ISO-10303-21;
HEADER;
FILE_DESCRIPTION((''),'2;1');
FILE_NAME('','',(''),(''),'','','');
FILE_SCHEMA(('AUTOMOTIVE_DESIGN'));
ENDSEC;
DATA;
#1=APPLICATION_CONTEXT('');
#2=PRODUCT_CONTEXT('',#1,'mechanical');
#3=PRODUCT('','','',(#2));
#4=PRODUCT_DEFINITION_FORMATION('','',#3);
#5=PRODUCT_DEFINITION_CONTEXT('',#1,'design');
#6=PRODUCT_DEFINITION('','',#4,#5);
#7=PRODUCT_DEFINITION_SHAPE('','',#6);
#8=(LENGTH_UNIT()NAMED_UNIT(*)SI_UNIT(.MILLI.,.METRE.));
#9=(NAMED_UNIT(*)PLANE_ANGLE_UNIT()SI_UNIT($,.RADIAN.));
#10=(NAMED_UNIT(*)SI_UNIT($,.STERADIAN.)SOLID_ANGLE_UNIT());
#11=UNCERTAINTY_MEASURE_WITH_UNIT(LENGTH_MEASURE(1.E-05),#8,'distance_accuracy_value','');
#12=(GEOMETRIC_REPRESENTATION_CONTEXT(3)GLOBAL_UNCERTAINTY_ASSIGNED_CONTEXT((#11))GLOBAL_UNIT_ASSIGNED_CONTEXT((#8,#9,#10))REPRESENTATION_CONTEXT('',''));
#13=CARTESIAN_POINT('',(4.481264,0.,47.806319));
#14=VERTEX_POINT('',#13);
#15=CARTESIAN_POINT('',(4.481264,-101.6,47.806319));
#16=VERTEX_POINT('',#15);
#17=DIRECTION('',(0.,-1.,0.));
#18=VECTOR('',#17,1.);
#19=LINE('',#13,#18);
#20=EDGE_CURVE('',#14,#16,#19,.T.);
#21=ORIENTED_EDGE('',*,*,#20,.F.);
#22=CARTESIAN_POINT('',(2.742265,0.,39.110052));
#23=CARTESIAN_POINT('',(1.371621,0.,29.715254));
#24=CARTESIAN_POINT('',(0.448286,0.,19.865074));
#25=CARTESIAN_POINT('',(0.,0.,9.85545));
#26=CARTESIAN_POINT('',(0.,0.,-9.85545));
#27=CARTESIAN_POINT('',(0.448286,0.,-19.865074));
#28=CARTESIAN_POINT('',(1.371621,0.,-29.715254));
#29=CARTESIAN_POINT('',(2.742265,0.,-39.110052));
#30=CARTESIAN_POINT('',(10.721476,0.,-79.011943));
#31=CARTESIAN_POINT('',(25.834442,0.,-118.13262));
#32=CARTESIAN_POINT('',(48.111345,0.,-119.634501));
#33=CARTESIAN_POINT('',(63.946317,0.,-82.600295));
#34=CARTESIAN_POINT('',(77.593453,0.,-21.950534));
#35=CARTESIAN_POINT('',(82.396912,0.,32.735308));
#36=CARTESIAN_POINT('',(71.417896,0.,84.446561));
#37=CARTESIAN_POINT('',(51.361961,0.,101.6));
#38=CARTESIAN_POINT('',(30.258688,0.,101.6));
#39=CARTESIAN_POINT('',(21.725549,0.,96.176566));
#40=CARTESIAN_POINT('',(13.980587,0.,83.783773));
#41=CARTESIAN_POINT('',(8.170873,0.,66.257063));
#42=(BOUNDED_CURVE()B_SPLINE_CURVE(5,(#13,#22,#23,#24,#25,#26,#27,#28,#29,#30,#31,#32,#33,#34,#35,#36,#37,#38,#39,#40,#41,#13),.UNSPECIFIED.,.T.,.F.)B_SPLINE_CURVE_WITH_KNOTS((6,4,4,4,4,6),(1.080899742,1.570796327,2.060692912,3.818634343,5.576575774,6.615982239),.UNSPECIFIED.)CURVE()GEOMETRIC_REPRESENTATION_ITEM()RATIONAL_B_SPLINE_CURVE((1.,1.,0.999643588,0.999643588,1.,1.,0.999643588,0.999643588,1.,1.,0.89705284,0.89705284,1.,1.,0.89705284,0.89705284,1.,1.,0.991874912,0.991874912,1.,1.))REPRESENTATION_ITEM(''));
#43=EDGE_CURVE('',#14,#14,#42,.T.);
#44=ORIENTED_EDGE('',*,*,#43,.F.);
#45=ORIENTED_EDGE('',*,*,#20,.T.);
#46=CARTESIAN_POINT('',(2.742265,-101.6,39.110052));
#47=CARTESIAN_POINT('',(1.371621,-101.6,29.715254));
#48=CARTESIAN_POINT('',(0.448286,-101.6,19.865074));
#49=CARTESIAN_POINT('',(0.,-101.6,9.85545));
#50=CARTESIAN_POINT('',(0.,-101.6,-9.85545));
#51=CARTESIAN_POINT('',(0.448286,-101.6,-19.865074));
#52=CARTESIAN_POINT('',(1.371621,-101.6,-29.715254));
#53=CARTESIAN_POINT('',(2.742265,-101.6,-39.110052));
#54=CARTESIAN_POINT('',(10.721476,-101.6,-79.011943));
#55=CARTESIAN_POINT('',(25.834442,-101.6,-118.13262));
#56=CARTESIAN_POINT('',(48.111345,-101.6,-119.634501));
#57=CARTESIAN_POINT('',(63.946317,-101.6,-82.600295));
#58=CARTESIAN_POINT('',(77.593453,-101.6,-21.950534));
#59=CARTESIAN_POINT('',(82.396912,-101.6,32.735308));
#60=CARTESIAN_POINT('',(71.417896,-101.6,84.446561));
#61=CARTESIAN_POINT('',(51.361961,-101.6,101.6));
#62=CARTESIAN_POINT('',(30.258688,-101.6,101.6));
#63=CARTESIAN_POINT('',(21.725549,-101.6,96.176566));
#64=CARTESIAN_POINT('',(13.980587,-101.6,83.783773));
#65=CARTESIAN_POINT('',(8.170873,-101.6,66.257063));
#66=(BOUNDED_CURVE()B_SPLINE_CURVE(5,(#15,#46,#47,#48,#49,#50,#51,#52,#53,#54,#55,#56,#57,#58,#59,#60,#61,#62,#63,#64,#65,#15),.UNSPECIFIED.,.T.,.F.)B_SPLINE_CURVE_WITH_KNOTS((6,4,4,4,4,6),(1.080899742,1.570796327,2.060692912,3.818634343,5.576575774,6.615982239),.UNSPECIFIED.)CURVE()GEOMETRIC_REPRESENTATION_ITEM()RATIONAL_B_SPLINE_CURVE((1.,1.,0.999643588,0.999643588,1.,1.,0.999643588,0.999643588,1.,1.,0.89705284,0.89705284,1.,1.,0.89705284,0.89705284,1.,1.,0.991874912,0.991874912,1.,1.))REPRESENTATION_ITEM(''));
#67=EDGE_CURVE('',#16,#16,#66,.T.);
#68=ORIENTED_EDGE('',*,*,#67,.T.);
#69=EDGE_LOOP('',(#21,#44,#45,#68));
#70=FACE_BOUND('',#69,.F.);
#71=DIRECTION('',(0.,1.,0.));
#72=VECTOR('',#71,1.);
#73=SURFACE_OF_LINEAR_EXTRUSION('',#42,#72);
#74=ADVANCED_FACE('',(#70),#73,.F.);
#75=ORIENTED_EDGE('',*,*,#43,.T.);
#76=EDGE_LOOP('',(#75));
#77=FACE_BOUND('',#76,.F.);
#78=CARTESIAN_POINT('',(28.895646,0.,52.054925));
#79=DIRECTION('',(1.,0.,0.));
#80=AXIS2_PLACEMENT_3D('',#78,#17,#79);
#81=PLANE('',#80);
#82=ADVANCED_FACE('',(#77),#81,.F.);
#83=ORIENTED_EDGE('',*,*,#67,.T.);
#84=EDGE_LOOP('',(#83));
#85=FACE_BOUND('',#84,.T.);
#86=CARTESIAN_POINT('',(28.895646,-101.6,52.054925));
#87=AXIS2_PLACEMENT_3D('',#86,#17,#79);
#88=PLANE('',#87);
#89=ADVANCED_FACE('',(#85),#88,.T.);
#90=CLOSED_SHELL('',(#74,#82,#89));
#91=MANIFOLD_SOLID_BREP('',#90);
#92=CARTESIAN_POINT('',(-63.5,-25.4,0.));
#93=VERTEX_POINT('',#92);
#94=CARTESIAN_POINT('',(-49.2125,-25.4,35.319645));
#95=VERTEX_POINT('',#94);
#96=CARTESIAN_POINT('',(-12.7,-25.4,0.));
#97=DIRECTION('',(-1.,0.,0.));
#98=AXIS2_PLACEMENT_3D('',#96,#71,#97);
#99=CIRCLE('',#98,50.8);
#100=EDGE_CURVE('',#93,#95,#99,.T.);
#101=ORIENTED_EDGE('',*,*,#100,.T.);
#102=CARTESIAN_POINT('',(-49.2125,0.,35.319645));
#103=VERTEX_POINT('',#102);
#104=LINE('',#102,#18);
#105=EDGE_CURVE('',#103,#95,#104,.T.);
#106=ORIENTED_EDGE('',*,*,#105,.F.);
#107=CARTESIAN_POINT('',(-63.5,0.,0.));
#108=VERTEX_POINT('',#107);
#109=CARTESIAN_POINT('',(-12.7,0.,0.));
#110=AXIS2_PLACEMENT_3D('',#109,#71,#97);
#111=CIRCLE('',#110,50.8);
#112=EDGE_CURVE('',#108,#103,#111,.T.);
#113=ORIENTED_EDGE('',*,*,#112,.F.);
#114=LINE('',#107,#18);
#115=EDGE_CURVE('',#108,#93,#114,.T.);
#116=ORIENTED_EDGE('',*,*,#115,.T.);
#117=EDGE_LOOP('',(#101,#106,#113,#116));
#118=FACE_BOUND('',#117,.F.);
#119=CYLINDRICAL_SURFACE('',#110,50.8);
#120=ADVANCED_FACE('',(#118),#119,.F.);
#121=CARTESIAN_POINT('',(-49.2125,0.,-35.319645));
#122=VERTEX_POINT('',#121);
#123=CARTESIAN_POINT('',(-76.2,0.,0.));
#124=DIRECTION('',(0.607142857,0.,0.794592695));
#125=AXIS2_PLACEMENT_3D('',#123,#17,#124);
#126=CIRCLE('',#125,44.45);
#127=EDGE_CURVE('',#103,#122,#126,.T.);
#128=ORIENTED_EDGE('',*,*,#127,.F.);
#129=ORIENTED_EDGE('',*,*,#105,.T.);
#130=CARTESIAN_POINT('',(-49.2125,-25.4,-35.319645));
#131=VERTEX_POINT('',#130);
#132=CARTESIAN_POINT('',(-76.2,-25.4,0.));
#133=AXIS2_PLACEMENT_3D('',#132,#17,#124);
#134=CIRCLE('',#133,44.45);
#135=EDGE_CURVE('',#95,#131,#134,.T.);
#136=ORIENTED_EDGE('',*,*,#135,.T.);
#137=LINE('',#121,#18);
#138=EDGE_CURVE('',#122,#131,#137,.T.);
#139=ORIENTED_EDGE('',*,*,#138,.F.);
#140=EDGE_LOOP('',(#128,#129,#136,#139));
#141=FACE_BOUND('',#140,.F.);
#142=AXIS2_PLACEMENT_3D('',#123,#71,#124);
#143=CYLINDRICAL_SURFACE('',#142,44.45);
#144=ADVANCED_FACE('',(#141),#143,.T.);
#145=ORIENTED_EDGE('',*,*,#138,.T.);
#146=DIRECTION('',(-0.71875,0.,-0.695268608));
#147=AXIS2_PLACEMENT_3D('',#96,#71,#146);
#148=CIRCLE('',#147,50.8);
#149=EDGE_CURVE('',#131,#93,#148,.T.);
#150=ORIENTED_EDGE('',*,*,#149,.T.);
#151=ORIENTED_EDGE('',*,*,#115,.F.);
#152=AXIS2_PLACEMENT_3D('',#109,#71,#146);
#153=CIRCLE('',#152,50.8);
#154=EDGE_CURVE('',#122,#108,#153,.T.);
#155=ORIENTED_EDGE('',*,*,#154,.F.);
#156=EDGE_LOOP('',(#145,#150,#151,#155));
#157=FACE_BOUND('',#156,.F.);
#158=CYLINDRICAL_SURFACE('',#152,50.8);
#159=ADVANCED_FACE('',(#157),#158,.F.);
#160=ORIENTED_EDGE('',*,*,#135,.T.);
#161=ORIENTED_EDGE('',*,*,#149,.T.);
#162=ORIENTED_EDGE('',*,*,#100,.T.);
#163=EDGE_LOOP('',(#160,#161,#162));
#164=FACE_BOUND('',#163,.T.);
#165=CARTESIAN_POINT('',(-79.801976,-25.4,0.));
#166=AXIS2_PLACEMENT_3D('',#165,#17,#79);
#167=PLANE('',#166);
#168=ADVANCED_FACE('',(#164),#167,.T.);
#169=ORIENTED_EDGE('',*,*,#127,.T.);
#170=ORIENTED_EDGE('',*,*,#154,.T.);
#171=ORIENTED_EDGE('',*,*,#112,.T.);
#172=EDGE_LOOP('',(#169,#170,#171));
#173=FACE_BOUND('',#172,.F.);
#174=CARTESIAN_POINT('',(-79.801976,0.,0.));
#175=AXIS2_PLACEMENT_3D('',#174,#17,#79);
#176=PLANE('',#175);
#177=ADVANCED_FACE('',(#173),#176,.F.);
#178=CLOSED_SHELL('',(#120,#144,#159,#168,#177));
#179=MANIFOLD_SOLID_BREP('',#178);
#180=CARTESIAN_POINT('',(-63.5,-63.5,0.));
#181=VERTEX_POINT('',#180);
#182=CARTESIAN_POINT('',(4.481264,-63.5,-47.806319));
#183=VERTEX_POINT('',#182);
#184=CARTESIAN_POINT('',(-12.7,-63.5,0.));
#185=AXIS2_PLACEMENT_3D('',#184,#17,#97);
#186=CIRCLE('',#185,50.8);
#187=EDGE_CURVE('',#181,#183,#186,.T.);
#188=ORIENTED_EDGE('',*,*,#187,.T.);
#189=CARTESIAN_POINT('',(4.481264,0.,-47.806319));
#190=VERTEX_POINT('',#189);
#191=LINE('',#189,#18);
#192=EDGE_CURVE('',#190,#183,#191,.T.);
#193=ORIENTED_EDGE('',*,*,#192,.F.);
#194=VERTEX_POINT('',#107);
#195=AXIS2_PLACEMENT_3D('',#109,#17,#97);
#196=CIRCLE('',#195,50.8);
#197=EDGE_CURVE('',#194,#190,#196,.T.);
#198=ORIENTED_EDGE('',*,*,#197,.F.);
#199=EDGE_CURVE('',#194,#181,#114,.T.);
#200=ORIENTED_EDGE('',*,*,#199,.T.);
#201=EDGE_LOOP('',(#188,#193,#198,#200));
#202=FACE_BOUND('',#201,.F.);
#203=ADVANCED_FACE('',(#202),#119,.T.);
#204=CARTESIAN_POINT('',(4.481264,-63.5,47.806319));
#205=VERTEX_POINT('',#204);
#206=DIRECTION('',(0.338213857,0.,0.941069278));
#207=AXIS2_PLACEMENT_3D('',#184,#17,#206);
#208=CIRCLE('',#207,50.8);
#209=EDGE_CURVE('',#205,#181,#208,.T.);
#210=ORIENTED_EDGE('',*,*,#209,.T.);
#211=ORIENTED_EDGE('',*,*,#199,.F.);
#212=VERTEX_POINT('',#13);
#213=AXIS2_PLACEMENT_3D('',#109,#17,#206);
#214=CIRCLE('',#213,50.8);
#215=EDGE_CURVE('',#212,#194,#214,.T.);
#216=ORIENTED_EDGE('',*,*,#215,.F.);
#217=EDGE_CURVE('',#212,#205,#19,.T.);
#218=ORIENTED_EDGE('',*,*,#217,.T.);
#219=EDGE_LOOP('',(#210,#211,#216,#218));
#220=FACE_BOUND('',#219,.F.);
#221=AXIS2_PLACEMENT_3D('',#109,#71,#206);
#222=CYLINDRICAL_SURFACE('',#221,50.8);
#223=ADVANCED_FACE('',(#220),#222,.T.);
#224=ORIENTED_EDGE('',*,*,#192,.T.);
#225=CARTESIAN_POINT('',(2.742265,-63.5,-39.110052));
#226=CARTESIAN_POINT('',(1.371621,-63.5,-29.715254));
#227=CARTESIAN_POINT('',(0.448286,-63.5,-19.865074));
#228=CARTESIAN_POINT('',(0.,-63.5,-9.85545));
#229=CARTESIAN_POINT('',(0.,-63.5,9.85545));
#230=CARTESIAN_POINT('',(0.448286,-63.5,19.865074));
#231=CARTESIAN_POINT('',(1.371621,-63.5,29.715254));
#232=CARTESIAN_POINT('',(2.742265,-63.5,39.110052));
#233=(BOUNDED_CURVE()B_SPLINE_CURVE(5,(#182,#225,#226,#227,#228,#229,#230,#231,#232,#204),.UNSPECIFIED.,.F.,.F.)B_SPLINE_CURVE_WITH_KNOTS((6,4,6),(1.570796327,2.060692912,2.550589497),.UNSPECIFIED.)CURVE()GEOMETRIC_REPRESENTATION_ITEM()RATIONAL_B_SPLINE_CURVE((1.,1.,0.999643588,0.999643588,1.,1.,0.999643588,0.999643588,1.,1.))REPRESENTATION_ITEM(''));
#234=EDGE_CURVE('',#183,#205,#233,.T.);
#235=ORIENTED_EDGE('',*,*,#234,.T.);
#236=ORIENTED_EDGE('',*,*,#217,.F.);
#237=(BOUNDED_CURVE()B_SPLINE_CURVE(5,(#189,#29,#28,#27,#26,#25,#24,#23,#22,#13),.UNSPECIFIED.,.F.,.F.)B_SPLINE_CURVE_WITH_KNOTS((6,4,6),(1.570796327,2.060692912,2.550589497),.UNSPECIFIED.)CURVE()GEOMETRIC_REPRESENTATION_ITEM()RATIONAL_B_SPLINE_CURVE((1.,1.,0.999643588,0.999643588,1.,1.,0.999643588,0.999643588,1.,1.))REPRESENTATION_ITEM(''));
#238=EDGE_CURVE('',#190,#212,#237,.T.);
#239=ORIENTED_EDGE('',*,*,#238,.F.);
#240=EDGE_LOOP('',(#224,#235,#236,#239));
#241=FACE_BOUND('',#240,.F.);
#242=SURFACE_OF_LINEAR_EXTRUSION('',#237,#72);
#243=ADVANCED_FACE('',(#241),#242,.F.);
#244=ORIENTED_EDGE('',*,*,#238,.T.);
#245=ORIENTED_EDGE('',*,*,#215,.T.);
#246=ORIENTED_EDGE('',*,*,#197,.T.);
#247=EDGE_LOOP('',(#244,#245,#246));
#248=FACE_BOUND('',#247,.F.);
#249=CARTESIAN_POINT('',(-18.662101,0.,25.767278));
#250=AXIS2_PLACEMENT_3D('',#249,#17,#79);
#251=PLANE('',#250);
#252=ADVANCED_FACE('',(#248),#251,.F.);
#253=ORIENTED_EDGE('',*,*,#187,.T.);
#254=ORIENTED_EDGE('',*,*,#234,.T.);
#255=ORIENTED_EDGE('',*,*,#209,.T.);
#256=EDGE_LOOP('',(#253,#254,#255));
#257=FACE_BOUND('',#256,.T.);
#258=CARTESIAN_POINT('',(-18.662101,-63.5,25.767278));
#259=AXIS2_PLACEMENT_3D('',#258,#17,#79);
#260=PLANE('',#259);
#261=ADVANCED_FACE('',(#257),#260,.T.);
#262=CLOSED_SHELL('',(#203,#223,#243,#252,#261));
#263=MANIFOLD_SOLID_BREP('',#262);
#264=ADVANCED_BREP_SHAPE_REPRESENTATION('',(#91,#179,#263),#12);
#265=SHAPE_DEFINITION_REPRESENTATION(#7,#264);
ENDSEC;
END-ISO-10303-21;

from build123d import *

# Parameters (mm, degrees)
F1_DEPTH = 25.4
F2_DEPTH = 63.5
F3_DEPTH = 101.6


with BuildPart() as f1:
    # F0 (on Front) → F1 (new body)
    with BuildSketch(Plane.XZ):
        with BuildLine():
            ThreePointArc((-63.5, 0), (-59.7928603931, 19.05), (-49.2125, 35.3196452948))
            ThreePointArc((-49.2125, 35.3196452948), (-120.65, 0), (-49.2125, -35.3196452948))
            ThreePointArc((-49.2125, -35.3196452948), (-59.7928603931, -19.05), (-63.5, 0))
        make_face()
    extrude(amount=F1_DEPTH)


with BuildPart() as f2:
    # F0 (on Front) → F2 (new body)
    with BuildSketch(Plane.XZ):
        with BuildLine():
            ThreePointArc((-49.2125, 35.3196452948), (-36.3540662363, 19.700356913), (-31.75, 0))
            Line((-31.75, 0), (0, 0))
            add(Edge.make_bspline(
                [(4.4812639483, 47.8063193432), (0, 25.3967215158), (0, 0)],
                knots=[1.0808997418, 1.0808997418, 1.0808997418, 1.5707963268, 1.5707963268, 1.5707963268], degree=2, weights=[1, 0.9701498657, 1]))
            ThreePointArc((4.4812639483, 47.8063193432), (-24.2066688933, 49.4796581534), (-49.2125, 35.3196452948))
        make_face()
        with BuildLine():
            Line((-63.5, 0), (-31.75, 0))
            ThreePointArc((-31.75, 0), (-36.3540662363, 19.700356913), (-49.2125, 35.3196452948))
            ThreePointArc((-49.2125, 35.3196452948), (-59.7928603931, 19.05), (-63.5, 0))
        make_face()
        with BuildLine():
            ThreePointArc((-49.2125, -35.3196452948), (-36.3540662363, -19.700356913), (-31.75, 0))
            Line((-31.75, 0), (-63.5, 0))
            ThreePointArc((-63.5, 0), (-59.7928603931, -19.05), (-49.2125, -35.3196452948))
        make_face()
        with BuildLine():
            Line((0, 0), (-31.75, 0))
            ThreePointArc((-31.75, 0), (-36.3540662363, -19.700356913), (-49.2125, -35.3196452948))
            ThreePointArc((-49.2125, -35.3196452948), (-24.2066688933, -49.4796581534), (4.4812639483, -47.8063193432))
            add(Edge.make_bspline(
                [(0, 0), (0, -25.3967215158), (4.4812639483, -47.8063193432)],
                knots=[1.5707963268, 1.5707963268, 1.5707963268, 2.0606929118, 2.0606929118, 2.0606929118], degree=2, weights=[1, 0.9701498657, 1]))
        make_face()
    extrude(amount=F2_DEPTH)


with BuildPart() as f3:
    # F0 (on Front) → F3 (new body)
    with BuildSketch(Plane.XZ):
        with BuildLine():
            add(Edge.make_bspline(
                [(38.1, 101.6), (15.238426287, 101.6), (4.4812639483, 47.8063193432)],
                knots=[0, 0, 0, 1.0808997418, 1.0808997418, 1.0808997418], degree=2, weights=[1, 0.8574772998, 1]))
            ThreePointArc((4.4812639483, 47.8063193432), (28.8538699075, 29.2218393623), (38.1, 0))
            Line((38.1, 0), (38.1, 101.6))
        make_face()
        with BuildLine():
            ThreePointArc((38.1, 0), (28.8538699075, -29.2218393623), (4.4812639483, -47.8063193432))
            add(Edge.make_bspline(
                [(4.4812639483, -47.8063193432), (36.1455334007, -206.1508293103), (70.7698851208, -52.2754146552), (105.3942368409, 101.6), (38.1, 101.6)],
                knots=[2.0606929118, 2.0606929118, 2.0606929118, 4.1719391095, 4.1719391095, 6.2831853072, 6.2831853072, 6.2831853072], degree=2, weights=[1, 0.4926856007, 1, 0.4926856007, 1]))
            Line((38.1, 101.6), (38.1, 0))
        make_face()
        with BuildLine():
            add(Edge.make_bspline(
                [(4.4812639483, 47.8063193432), (0, 25.3967215158), (0, 0)],
                knots=[1.0808997418, 1.0808997418, 1.0808997418, 1.5707963268, 1.5707963268, 1.5707963268], degree=2, weights=[1, 0.9701498657, 1]))
            add(Edge.make_bspline(
                [(0, 0), (0, -25.3967215158), (4.4812639483, -47.8063193432)],
                knots=[1.5707963268, 1.5707963268, 1.5707963268, 2.0606929118, 2.0606929118, 2.0606929118], degree=2, weights=[1, 0.9701498657, 1]))
            ThreePointArc((4.4812639483, -47.8063193432), (28.8538699075, -29.2218393623), (38.1, 0))
            ThreePointArc((38.1, 0), (28.8538699075, 29.2218393623), (4.4812639483, 47.8063193432))
        make_face()
    extrude(amount=F3_DEPTH)


solid = Compound([f1.part, f2.part, f3.part])
